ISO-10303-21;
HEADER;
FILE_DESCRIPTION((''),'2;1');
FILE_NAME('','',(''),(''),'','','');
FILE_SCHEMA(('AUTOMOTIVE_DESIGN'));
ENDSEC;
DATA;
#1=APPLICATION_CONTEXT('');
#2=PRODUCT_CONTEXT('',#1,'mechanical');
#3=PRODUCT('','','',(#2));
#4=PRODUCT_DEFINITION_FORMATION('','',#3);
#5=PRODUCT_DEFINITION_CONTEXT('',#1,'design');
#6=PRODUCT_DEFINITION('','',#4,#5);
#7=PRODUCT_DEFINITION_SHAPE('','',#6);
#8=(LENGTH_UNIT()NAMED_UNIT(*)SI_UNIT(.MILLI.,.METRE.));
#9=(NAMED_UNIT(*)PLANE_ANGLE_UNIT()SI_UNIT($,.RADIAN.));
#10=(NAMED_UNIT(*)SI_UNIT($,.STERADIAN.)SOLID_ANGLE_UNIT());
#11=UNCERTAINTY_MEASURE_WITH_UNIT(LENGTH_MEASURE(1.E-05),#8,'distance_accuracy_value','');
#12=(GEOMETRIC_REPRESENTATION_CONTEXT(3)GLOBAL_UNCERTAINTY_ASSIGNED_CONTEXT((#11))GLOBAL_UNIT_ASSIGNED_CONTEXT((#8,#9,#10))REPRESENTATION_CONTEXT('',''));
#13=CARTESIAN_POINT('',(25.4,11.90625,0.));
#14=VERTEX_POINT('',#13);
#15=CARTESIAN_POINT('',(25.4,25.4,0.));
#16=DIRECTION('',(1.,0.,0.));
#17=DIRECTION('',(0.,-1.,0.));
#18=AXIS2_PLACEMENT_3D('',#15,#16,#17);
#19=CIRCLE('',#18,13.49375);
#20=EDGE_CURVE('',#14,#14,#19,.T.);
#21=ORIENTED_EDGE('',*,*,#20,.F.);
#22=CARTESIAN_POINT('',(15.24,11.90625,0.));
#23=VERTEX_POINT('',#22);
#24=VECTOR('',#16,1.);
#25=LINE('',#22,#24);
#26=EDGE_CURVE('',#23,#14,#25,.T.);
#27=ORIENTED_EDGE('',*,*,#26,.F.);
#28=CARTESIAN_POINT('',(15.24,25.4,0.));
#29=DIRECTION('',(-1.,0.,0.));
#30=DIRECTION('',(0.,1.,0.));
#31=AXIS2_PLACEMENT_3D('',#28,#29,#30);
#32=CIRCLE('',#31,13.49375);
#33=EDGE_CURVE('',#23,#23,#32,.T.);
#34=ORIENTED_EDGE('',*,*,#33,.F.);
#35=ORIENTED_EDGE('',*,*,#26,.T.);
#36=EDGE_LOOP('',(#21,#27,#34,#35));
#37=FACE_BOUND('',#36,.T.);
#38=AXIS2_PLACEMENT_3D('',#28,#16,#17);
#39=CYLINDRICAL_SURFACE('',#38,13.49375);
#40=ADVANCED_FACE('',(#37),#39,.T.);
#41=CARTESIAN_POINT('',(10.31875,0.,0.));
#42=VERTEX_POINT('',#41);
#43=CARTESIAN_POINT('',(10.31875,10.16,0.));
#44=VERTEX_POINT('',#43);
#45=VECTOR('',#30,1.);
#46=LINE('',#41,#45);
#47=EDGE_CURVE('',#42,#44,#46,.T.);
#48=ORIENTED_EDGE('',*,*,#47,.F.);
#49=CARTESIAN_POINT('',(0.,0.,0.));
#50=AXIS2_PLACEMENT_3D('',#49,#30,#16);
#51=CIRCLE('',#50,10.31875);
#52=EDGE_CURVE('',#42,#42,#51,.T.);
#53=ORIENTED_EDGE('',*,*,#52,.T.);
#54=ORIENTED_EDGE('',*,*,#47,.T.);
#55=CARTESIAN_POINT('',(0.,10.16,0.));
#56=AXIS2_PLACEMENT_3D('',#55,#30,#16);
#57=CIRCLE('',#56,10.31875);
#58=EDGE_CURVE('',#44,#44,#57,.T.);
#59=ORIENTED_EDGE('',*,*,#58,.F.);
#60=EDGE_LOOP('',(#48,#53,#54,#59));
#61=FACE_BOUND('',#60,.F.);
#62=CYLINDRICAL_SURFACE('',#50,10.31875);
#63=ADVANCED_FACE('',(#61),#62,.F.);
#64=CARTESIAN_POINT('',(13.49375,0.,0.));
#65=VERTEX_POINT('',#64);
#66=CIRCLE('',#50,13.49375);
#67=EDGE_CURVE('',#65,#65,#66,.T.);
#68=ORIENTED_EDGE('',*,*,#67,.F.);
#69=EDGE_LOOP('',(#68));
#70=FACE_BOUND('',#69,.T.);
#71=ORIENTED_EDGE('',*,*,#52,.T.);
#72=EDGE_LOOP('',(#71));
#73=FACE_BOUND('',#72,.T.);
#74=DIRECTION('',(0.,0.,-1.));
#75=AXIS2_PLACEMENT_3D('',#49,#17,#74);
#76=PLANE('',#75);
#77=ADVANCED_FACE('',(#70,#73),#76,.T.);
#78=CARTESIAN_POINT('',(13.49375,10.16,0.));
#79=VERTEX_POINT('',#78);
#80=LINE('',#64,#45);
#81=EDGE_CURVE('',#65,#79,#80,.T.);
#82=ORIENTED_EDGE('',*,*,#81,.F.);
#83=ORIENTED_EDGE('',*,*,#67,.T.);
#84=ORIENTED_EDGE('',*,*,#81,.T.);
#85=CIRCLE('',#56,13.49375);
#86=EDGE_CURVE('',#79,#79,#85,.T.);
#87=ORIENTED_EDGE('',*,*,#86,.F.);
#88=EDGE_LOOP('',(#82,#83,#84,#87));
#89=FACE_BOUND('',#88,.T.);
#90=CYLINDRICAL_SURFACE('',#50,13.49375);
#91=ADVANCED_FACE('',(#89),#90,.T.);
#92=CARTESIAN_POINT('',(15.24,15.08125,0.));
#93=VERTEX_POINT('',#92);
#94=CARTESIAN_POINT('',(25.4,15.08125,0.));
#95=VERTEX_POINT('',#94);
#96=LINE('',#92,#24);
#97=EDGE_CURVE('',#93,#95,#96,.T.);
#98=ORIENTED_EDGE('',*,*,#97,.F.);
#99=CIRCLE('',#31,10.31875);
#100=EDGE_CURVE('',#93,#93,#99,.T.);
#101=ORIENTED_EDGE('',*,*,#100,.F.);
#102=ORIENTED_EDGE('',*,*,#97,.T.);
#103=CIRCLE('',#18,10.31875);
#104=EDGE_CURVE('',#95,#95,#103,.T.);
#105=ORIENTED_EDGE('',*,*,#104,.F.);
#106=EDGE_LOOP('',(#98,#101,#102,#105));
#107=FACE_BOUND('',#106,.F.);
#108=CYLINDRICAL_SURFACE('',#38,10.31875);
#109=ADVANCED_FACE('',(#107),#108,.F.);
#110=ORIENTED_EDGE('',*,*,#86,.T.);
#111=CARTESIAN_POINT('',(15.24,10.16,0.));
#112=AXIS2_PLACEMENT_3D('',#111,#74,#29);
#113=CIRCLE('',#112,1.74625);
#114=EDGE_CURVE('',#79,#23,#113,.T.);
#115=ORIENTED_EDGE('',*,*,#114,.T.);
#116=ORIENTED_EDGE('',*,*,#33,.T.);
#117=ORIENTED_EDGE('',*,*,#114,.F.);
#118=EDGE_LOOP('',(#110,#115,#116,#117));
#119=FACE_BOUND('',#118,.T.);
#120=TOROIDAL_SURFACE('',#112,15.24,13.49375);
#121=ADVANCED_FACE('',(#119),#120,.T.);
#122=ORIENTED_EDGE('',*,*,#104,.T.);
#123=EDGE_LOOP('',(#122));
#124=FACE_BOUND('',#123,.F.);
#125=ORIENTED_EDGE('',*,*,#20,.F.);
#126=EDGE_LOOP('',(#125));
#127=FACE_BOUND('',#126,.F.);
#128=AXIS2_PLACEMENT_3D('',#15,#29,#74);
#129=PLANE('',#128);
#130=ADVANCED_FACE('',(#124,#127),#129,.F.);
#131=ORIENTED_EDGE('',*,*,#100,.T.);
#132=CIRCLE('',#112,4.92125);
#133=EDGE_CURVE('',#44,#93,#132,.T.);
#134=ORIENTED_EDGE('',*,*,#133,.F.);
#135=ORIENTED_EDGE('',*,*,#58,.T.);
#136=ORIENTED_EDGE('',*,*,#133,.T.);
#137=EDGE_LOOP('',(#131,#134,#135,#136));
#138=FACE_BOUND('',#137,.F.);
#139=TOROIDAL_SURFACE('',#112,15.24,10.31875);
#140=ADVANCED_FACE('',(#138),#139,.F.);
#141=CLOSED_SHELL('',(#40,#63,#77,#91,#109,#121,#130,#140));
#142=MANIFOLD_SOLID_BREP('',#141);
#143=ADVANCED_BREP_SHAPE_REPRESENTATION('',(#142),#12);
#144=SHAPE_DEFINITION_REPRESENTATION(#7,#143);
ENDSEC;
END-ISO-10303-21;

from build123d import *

# Parameters (mm, degrees)
F1_R = 13.49375
F3_T = -3.175


with BuildPart() as f2:
    # F2: sweep along a path in F0
    with BuildLine(Plane.XY) as f2_path:
        Line((0, 0), (0, 10.16))
        ThreePointArc((0, 10.16), (4.4636926547, 20.9363073453), (15.24, 25.4))
        Line((15.24, 25.4), (25.4, 25.4))
    # F1 (on Front) → F2 (sweep)
    with BuildSketch(Plane.XZ):
        Circle(F1_R)
    sweep(path=f2_path.line)

    # F3
    f3_openings = [f2.faces().sort_by_distance(p)[0] for p in [
        (0, 0, 0),
        (25.4, 25.4, 0),
    ]]
    offset(amount=F3_T, openings=f3_openings)


solid = f2.part
